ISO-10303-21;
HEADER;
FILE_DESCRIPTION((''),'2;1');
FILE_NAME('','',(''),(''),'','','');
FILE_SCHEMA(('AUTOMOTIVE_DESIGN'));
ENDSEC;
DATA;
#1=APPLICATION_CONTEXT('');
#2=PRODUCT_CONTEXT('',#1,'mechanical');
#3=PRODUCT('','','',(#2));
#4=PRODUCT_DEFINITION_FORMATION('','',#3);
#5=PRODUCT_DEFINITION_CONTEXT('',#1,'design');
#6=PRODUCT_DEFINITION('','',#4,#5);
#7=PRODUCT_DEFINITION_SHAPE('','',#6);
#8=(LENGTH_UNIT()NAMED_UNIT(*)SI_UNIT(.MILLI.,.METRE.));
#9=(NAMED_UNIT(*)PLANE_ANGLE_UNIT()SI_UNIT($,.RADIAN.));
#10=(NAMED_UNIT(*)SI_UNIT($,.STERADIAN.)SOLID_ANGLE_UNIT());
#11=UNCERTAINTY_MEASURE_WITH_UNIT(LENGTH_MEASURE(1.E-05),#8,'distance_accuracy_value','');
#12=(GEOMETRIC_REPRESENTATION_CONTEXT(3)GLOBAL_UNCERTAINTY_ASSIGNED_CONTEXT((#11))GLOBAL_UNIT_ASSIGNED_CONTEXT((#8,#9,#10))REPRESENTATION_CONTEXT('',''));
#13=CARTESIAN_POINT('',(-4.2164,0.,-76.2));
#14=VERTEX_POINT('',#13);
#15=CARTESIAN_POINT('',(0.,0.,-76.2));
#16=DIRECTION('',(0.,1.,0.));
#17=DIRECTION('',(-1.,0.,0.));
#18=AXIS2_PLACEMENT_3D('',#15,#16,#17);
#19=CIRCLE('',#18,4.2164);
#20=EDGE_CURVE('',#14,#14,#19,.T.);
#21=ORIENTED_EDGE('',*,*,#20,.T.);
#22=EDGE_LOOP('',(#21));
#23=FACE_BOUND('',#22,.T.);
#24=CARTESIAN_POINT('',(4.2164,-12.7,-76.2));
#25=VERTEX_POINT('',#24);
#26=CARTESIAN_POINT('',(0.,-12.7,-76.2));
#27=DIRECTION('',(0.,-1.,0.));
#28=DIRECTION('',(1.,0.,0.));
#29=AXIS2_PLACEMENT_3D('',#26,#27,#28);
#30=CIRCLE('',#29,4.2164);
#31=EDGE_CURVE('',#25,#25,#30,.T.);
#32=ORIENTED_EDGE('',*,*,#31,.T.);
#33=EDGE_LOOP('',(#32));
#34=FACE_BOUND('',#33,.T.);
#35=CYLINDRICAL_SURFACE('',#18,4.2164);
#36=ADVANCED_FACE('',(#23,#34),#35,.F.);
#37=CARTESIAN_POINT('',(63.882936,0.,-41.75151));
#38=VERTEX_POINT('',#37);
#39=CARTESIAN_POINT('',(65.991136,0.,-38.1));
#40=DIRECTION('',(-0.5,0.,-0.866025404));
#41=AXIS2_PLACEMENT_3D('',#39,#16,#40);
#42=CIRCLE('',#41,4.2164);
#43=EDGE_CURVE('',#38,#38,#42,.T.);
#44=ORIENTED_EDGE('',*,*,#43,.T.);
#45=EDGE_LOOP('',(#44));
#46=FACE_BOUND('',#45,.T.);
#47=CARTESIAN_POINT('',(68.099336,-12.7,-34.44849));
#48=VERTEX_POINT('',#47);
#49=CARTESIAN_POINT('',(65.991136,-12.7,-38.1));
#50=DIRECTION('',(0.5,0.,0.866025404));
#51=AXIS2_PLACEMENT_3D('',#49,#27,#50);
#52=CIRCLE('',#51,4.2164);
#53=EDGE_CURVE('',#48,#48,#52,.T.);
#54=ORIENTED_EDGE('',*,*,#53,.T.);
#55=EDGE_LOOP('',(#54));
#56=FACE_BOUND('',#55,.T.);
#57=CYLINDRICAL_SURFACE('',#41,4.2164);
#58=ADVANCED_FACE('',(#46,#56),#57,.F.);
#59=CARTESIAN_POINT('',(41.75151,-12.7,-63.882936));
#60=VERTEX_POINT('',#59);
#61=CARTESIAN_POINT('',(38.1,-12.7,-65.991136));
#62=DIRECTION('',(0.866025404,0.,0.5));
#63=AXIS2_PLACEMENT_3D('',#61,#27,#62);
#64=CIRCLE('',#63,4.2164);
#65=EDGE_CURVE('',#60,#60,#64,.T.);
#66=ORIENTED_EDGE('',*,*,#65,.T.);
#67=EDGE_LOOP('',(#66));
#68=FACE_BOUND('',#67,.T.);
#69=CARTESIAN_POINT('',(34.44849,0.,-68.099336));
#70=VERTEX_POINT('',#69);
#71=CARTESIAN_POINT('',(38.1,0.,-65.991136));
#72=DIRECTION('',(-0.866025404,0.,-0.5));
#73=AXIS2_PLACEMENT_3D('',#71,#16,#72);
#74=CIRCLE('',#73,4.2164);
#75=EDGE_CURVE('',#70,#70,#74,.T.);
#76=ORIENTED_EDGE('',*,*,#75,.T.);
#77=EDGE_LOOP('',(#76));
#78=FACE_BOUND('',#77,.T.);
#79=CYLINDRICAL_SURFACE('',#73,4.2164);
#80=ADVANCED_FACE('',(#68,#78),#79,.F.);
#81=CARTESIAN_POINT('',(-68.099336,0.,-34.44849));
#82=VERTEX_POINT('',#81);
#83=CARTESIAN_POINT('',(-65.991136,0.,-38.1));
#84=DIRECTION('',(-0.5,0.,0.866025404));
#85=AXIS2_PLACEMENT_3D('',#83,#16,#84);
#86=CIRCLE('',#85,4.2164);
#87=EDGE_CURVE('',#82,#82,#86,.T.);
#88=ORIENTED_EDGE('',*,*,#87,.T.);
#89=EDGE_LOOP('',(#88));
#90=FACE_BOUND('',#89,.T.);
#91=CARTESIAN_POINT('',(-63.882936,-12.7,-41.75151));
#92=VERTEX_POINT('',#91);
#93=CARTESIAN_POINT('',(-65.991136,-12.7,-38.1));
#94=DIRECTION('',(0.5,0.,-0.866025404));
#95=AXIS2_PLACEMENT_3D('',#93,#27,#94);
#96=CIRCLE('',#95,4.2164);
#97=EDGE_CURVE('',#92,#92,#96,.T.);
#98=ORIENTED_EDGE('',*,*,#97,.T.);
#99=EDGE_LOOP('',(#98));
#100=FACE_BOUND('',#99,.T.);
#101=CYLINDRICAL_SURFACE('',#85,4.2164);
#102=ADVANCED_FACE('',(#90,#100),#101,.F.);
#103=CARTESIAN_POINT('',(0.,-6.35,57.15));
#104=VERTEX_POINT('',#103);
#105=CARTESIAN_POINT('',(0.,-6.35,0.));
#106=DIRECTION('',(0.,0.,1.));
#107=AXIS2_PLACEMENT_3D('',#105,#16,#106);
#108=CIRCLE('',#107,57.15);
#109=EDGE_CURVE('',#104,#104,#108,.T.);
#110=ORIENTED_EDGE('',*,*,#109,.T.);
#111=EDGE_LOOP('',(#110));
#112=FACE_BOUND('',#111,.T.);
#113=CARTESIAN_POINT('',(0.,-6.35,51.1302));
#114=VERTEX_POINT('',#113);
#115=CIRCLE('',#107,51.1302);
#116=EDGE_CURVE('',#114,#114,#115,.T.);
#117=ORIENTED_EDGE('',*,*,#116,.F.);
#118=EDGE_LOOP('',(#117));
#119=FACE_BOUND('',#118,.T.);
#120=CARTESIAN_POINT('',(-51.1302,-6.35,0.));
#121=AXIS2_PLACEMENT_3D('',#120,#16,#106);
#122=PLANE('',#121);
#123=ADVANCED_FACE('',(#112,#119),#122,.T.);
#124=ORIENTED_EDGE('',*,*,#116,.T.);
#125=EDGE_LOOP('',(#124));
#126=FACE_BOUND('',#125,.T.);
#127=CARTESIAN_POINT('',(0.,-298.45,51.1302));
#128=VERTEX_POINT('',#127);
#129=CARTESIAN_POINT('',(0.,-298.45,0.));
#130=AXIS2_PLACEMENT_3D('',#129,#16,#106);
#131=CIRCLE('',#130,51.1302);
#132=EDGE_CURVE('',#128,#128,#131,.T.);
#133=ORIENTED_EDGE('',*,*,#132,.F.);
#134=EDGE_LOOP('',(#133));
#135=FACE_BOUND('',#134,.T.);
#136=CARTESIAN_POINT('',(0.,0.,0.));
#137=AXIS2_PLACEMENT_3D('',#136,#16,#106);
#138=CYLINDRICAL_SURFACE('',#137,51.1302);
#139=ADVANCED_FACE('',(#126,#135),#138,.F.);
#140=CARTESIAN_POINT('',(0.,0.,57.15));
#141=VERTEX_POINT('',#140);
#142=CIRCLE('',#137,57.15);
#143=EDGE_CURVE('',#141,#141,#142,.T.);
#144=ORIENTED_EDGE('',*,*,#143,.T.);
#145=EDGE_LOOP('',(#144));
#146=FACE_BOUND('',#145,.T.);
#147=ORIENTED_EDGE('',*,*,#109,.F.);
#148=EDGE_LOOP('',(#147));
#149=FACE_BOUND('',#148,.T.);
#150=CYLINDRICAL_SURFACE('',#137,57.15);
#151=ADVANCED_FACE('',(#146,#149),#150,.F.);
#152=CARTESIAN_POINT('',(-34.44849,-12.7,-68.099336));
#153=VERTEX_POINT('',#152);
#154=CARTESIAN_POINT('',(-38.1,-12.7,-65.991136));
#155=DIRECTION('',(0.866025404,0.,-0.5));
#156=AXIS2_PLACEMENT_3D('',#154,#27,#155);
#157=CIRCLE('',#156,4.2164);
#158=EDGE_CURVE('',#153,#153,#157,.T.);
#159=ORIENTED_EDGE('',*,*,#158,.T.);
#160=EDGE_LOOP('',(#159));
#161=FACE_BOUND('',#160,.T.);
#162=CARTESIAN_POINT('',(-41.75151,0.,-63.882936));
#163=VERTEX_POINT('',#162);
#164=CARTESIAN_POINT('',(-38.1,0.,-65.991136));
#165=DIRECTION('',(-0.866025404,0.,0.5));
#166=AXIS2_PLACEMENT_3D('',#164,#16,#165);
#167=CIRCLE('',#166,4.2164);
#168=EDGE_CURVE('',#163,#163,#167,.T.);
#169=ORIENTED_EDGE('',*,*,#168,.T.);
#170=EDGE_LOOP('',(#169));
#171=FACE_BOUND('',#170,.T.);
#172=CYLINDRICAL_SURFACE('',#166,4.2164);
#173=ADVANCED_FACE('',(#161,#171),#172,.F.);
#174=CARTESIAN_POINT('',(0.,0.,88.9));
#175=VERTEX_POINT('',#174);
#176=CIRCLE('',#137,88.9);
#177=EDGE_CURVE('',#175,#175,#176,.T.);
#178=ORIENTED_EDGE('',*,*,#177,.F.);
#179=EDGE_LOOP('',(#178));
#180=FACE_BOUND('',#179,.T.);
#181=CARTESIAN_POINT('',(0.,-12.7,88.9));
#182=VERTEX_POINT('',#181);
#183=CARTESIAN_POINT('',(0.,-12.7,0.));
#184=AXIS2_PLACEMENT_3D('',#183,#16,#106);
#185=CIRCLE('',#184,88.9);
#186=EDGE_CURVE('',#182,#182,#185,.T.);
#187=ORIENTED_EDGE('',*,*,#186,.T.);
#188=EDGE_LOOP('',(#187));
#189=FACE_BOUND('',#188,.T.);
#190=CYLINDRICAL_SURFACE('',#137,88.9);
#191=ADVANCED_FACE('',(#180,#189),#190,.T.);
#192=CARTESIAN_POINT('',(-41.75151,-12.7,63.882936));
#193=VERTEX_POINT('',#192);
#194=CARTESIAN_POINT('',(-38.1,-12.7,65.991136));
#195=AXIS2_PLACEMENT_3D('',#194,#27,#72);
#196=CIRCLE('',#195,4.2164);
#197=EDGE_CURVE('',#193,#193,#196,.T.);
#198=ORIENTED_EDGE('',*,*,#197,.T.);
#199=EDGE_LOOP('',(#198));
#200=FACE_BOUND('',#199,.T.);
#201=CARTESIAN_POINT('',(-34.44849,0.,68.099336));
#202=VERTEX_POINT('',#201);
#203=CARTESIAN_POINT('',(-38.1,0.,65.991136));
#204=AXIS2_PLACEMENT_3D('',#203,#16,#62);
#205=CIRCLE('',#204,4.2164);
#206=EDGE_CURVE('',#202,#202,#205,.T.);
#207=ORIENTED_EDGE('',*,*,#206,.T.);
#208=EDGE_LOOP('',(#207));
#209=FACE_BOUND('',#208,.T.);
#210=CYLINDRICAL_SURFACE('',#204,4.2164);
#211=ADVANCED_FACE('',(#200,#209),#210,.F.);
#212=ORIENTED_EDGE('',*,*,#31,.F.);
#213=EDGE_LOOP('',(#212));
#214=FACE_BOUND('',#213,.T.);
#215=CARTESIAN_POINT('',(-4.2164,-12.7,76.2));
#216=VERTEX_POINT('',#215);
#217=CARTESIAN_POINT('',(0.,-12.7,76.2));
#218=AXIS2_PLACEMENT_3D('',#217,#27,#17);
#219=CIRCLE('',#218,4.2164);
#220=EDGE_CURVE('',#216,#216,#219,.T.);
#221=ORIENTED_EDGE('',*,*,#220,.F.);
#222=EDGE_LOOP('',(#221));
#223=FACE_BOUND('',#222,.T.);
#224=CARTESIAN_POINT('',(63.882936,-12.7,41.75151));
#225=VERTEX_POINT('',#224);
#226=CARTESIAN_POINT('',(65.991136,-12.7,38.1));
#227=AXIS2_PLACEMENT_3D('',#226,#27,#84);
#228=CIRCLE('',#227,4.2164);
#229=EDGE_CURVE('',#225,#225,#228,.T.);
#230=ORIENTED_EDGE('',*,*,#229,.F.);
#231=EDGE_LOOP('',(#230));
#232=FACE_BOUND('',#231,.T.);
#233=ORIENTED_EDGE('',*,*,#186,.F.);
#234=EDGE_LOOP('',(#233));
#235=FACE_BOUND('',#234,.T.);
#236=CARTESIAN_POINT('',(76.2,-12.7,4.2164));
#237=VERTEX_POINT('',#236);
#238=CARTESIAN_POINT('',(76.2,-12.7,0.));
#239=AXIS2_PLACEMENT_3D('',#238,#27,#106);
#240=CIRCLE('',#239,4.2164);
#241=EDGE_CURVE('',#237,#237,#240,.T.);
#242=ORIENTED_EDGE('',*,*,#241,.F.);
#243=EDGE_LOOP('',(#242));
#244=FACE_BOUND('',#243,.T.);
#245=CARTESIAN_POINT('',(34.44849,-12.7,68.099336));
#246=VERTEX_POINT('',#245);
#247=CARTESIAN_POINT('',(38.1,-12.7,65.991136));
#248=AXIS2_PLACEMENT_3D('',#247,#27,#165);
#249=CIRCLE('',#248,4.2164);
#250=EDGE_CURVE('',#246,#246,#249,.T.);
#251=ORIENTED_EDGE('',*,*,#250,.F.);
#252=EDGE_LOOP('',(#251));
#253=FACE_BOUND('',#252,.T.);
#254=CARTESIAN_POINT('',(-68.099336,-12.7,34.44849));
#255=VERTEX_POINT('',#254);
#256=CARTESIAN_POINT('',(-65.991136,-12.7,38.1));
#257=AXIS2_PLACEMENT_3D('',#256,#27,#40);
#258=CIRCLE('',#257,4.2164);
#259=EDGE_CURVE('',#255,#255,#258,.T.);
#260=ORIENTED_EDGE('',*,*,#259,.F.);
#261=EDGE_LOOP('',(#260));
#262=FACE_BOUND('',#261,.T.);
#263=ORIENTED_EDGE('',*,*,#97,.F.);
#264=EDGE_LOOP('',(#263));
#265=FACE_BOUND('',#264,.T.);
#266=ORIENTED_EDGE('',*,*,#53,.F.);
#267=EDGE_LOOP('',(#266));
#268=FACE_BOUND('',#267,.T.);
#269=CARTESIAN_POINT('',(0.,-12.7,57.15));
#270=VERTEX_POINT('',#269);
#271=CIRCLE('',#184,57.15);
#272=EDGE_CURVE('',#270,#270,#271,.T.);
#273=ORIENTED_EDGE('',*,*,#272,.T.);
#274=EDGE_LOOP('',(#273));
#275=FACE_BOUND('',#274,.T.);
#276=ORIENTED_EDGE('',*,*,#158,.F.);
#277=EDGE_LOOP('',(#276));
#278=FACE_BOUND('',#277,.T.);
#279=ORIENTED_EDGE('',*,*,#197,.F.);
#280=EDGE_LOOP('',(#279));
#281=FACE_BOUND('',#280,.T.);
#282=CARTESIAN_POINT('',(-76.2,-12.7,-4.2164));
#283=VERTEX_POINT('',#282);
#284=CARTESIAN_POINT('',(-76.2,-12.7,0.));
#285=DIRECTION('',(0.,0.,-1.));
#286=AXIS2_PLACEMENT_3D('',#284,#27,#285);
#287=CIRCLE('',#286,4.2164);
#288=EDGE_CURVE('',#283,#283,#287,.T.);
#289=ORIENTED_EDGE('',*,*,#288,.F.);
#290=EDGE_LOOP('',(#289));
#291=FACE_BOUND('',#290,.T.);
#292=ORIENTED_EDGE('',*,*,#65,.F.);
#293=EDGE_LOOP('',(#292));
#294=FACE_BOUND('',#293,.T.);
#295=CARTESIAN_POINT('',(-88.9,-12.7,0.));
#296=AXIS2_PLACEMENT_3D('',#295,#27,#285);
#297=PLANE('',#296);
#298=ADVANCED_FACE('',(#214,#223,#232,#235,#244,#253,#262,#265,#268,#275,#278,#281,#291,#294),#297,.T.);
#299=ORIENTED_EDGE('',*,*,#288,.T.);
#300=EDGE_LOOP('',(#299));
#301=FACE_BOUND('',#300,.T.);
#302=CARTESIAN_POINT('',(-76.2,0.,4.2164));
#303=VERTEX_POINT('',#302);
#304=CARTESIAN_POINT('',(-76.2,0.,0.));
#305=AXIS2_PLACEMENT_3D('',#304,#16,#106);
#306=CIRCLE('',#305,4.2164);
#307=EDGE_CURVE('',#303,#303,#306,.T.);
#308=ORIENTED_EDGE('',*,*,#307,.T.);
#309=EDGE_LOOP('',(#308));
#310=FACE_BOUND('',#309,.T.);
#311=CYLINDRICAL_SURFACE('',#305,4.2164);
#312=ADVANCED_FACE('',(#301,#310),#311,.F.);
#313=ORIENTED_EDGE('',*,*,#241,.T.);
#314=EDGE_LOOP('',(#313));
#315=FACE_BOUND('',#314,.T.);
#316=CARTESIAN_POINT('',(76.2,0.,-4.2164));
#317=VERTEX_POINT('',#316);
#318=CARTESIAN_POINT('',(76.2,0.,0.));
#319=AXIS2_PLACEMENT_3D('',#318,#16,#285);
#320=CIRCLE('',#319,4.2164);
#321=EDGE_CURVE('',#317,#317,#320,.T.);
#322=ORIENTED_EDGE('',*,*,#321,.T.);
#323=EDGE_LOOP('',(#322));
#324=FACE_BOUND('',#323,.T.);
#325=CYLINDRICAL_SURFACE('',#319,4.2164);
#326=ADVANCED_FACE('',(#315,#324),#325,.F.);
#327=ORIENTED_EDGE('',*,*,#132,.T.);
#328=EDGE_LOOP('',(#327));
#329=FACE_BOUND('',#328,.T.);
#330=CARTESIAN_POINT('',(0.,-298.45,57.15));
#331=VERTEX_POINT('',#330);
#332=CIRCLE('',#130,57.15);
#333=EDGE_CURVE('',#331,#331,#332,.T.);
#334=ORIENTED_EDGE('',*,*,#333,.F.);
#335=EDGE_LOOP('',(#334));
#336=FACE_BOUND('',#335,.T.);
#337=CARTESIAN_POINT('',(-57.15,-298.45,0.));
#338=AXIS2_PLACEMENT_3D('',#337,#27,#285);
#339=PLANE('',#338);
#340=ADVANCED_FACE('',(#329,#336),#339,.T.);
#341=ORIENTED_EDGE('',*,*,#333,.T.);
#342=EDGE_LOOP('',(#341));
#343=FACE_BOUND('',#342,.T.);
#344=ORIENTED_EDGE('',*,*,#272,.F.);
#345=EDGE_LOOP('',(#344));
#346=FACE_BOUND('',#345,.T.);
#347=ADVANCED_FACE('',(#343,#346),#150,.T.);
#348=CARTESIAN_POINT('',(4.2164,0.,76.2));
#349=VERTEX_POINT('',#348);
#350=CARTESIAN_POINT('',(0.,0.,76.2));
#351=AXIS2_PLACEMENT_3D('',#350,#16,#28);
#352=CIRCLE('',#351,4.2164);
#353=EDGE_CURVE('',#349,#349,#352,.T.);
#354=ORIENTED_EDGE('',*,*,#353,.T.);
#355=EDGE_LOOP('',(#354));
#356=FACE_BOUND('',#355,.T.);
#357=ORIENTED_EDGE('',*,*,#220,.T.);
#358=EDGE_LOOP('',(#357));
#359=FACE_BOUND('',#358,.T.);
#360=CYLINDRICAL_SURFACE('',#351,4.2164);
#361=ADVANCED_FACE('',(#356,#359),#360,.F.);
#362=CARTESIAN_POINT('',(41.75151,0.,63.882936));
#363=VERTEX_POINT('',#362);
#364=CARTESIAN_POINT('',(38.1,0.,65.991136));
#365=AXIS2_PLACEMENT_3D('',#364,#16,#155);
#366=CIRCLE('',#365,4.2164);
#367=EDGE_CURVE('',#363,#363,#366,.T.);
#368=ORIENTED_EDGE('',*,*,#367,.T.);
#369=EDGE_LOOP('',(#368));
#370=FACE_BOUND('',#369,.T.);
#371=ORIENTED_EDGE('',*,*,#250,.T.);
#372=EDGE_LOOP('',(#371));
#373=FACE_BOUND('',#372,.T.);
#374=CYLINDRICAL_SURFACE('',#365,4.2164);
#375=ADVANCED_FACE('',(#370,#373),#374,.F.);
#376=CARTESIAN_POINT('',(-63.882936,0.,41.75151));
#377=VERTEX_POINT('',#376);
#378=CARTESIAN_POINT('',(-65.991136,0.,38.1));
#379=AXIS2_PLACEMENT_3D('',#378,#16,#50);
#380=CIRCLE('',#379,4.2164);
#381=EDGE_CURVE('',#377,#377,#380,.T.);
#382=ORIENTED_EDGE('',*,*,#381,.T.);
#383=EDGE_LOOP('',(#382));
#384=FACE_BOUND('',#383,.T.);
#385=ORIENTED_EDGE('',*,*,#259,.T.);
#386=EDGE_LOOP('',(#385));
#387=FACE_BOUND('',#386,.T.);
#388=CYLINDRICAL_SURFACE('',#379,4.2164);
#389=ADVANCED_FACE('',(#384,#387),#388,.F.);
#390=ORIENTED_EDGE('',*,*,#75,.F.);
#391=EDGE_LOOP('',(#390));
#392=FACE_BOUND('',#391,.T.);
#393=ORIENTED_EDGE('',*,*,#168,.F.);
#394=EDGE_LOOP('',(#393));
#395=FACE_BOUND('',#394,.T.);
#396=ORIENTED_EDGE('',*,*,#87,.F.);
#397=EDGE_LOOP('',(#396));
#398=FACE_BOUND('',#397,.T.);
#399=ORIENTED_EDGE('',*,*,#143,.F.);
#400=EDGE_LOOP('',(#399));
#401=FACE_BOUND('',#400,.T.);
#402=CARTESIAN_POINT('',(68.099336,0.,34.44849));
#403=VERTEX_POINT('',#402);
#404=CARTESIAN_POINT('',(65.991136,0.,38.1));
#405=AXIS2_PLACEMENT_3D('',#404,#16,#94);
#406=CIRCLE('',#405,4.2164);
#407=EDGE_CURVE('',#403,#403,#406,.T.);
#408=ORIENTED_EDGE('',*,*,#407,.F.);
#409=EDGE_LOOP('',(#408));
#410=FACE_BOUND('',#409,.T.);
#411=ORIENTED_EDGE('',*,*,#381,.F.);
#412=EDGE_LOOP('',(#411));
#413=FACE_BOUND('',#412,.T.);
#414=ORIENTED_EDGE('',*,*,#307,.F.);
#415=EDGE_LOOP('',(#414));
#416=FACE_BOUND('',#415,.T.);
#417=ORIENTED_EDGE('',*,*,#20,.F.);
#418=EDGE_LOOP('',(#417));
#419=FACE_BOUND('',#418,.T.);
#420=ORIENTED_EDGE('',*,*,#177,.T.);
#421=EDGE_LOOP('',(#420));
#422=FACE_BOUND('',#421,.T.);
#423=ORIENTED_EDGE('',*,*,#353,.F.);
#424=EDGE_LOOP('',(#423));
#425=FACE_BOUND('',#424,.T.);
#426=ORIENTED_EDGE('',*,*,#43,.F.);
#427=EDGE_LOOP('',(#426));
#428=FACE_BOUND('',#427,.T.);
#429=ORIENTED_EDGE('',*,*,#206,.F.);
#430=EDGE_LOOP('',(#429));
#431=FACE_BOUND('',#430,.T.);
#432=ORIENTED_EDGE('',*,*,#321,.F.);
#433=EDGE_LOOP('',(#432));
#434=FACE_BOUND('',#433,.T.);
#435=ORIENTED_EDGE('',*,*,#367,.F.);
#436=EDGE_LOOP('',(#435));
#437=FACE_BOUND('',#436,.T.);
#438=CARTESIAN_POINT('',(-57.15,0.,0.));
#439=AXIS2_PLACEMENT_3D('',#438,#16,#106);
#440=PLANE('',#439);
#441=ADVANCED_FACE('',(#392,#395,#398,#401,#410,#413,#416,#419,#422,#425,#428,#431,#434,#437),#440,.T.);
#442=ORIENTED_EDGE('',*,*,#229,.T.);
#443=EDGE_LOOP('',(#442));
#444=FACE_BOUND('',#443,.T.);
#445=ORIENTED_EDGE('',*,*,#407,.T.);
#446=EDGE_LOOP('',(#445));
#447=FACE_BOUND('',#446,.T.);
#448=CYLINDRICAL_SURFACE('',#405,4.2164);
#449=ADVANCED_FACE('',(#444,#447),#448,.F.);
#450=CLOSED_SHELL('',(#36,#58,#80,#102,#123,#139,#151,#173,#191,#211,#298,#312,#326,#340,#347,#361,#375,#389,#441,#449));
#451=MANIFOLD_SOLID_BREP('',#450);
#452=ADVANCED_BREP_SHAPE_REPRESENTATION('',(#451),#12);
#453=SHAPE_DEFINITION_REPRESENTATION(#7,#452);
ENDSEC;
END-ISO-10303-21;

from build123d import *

# Parameters (mm, degrees)
F_5_16_CLEARANCE_HOLE1_D = 8.4328
CIRPATTERN1_COUNT        = 12


with BuildPart() as part:
    # Sketch1 → Revolve1 (revolve)
    with BuildSketch(Plane.XY):
        Polygon((-57.15, 0), (-88.9, 0), (-88.9, -12.7), (-57.15, -12.7), (-57.15, -298.45), (-51.1302, -298.45), (-51.1302, -6.35), (-57.15, -6.35), align=None)
    revolve(axis=Axis((0, 0, 0), (0, -1, 0)))

    # 5/16 Clearance Hole1 (through all)
    with Locations(Plane(origin=(0, 0, 0), x_dir=(1, 0, 0), z_dir=(0, 1, 0))):
        with Locations((-76.2, 0)):
            f_5_16_clearance_hole1 = Hole(F_5_16_CLEARANCE_HOLE1_D / 2)

    # CirPattern1: 5/16 Clearance Hole1 ×12 about axis
    cirpattern1_axis = Axis((0, 0, 0), (0, 1, 0))
    for i in range(1, CIRPATTERN1_COUNT):
        add(f_5_16_clearance_hole1.rotate(cirpattern1_axis, i * 360 / CIRPATTERN1_COUNT), mode=Mode.SUBTRACT)


solid = part.part
